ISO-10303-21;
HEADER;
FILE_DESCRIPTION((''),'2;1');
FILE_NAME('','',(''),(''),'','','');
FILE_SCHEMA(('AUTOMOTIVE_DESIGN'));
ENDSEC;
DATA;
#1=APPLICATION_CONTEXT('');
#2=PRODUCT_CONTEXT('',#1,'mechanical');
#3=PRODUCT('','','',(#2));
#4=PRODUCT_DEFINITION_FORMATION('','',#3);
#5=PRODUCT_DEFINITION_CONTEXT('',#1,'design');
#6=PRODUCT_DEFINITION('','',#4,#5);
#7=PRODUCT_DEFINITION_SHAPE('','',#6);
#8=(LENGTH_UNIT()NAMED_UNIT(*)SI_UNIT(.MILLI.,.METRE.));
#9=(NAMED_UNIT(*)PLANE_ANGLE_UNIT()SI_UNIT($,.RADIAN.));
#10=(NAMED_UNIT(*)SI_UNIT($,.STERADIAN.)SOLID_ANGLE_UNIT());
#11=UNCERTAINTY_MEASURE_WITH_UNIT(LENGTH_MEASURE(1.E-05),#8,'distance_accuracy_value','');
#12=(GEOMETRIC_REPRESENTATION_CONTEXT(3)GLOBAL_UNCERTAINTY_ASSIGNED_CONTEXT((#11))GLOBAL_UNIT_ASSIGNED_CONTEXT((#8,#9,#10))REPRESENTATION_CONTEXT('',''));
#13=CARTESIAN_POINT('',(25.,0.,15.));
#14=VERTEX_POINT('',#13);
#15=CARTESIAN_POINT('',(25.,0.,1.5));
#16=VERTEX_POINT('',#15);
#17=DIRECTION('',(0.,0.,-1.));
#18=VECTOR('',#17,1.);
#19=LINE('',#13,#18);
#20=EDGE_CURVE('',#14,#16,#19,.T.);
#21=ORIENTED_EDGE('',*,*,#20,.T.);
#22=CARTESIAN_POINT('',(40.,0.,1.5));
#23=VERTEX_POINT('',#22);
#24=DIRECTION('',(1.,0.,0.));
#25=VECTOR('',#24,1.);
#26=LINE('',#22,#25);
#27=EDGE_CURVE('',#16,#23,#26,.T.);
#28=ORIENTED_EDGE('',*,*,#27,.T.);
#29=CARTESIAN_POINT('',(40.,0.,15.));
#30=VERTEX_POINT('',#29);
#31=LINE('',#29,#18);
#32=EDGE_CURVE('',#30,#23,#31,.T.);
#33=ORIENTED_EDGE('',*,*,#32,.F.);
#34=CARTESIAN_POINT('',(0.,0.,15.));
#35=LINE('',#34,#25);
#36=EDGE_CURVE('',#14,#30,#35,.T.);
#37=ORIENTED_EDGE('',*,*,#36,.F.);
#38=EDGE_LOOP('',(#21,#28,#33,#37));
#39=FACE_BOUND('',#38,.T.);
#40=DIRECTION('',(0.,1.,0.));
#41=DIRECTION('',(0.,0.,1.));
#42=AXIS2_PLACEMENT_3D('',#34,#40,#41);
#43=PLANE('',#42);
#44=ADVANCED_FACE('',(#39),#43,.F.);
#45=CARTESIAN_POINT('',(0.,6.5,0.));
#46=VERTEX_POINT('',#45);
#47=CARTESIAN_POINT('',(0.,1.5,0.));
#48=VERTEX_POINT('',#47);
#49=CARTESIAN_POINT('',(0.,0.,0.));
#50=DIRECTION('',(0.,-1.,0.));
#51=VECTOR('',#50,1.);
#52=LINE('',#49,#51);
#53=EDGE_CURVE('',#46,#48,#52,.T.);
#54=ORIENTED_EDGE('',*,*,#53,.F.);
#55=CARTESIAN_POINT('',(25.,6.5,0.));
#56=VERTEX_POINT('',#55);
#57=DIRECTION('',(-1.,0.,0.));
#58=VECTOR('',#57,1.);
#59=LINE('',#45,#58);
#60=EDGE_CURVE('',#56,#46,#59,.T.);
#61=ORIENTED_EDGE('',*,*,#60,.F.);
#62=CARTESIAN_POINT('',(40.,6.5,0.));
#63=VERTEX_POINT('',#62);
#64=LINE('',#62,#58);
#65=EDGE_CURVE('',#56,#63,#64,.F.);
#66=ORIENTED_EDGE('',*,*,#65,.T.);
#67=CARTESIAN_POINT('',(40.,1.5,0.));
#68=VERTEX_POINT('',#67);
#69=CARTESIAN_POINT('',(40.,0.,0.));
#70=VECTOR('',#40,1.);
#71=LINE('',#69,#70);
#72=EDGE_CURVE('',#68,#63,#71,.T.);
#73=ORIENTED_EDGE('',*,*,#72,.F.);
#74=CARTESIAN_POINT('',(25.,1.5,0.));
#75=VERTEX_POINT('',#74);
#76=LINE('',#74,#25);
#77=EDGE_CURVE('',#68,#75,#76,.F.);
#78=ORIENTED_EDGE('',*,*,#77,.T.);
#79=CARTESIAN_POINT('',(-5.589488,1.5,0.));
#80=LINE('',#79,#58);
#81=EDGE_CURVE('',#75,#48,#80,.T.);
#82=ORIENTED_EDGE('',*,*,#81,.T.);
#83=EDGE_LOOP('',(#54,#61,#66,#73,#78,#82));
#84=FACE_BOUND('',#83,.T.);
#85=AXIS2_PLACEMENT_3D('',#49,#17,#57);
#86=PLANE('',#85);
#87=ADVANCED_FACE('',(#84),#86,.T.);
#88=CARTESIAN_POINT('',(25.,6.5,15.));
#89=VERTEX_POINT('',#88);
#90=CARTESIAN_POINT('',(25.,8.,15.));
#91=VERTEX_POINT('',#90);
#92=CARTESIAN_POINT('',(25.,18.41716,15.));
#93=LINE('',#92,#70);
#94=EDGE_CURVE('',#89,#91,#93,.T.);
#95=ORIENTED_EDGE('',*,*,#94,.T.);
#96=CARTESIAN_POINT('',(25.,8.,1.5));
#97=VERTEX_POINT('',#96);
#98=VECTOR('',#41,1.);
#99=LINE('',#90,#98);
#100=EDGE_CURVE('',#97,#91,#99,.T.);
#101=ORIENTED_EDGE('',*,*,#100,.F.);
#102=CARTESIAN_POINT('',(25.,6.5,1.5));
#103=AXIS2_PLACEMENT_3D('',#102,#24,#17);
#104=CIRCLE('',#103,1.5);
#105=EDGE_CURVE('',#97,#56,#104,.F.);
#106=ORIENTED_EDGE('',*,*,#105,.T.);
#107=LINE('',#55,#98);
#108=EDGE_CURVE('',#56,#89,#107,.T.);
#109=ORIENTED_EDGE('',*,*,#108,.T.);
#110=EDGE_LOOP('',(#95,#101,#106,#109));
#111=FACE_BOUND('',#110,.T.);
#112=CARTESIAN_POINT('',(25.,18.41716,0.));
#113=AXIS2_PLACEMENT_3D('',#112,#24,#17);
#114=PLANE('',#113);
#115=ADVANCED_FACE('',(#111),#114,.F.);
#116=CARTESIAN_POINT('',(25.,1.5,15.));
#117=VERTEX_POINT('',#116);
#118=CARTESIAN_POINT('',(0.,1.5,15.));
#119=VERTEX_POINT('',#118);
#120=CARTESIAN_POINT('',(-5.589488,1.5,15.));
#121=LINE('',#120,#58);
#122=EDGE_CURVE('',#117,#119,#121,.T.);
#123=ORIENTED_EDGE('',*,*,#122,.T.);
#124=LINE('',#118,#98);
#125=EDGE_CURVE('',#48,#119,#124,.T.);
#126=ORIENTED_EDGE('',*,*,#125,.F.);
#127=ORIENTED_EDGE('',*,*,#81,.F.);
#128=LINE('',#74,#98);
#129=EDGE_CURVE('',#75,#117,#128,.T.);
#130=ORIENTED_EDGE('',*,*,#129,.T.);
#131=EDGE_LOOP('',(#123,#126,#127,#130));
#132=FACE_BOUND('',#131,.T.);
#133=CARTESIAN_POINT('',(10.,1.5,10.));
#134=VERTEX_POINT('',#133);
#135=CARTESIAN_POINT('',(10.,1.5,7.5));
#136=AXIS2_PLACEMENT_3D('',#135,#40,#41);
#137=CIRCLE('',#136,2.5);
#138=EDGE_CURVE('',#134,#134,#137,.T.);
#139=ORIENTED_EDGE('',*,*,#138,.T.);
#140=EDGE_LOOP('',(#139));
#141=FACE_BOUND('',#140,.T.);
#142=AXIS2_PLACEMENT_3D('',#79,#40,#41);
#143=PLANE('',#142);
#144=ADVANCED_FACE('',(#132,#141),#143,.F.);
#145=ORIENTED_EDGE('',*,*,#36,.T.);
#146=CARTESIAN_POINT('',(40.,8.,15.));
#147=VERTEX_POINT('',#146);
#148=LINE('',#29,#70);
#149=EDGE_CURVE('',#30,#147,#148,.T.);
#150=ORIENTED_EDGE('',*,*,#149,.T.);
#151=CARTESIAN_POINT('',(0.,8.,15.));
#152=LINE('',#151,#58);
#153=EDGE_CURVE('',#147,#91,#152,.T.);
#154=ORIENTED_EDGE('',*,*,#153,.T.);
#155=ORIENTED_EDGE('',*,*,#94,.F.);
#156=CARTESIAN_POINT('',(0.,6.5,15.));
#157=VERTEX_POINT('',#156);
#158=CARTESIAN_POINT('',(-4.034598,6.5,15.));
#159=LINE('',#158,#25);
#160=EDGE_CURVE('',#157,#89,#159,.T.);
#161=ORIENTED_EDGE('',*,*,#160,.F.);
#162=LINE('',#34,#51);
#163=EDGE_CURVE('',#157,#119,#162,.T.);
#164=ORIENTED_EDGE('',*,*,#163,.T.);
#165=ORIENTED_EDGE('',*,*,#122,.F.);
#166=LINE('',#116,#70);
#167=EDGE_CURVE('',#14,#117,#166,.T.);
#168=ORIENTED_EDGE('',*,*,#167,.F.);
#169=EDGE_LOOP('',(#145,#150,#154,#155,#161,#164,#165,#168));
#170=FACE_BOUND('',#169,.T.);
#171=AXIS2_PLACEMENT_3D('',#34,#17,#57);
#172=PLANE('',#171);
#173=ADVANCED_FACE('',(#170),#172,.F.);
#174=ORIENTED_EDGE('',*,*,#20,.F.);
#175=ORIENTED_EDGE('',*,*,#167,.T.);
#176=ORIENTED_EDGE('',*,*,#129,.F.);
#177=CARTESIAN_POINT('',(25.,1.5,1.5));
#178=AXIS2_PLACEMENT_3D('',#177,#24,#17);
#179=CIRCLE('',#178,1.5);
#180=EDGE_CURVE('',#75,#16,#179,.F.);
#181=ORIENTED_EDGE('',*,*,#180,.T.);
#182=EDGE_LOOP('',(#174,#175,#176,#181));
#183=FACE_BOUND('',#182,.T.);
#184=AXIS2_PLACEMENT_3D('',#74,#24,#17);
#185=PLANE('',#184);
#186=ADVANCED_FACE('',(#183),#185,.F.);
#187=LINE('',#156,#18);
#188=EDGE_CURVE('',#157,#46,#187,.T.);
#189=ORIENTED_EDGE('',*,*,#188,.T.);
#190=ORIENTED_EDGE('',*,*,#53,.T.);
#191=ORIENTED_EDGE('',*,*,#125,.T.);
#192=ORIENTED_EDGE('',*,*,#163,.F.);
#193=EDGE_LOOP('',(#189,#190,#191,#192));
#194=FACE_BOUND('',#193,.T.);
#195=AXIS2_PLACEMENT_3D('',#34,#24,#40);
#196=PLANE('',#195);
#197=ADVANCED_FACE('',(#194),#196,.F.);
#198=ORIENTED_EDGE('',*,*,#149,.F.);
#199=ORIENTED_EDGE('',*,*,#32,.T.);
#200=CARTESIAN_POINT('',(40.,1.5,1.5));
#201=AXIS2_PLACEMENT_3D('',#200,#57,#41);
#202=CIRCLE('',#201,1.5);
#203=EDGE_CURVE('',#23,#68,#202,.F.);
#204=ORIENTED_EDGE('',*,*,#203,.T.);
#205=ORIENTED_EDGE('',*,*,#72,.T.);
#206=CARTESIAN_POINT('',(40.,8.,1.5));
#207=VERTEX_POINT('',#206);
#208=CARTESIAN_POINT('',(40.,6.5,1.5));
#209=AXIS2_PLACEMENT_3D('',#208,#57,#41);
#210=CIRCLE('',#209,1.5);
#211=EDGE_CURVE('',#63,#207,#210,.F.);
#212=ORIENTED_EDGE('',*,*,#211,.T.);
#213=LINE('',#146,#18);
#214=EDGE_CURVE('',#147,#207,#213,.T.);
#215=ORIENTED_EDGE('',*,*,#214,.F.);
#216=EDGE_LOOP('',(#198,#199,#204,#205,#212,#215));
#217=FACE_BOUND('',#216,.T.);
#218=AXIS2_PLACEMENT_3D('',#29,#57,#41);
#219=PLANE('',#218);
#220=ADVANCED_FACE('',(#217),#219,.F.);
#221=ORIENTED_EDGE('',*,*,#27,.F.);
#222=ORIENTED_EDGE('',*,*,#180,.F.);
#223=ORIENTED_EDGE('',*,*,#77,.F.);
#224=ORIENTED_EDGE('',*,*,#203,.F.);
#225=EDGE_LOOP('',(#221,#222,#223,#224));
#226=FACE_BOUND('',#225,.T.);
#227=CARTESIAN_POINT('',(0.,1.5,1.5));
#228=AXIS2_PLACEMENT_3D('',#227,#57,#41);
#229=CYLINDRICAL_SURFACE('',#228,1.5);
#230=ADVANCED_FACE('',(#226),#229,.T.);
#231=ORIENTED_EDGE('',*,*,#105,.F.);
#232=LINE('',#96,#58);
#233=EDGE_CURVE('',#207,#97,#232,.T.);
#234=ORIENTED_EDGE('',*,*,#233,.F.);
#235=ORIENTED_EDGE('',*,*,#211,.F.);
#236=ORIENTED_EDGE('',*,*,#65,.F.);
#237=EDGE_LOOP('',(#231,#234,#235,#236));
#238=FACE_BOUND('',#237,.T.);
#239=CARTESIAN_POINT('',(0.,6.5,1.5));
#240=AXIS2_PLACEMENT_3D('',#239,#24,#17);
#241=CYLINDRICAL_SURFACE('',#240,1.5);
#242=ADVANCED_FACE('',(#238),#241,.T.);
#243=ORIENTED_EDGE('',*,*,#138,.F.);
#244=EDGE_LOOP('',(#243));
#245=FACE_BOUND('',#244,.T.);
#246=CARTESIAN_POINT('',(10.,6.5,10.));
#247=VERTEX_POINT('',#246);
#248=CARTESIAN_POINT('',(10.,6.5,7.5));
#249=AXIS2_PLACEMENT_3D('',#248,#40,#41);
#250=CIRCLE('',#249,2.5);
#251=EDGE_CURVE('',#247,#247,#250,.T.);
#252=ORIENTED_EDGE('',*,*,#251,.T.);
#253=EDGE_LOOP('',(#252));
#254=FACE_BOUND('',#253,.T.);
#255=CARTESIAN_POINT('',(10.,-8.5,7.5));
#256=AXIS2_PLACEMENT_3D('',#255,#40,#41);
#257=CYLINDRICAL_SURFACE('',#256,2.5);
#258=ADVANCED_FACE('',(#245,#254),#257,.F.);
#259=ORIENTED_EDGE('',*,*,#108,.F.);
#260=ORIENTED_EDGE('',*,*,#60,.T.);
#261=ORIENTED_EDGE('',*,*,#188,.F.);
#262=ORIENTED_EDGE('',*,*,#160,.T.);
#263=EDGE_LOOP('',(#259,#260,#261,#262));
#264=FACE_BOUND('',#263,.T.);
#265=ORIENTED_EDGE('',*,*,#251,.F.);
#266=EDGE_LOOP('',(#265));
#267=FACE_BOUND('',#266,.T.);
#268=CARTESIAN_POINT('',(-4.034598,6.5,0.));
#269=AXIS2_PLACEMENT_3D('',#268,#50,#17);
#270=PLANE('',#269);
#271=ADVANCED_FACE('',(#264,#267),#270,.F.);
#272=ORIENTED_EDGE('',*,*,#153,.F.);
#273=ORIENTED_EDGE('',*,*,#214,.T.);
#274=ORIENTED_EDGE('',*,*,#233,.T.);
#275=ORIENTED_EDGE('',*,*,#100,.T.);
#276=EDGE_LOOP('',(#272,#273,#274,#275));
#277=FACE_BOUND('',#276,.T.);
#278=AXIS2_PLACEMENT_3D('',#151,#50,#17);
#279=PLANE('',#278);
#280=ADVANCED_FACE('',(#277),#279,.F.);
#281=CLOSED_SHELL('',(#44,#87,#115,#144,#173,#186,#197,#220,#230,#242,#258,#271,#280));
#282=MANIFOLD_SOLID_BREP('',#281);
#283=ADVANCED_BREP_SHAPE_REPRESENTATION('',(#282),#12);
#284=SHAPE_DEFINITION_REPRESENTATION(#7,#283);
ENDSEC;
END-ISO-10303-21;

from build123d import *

# Parameters (mm, degrees)
SKETCH1_W           = 40
SKETCH1_H           = 8
BOSS_EXTRUDE1_DEPTH = 15
SKETCH2_W           = 29.034597986
SKETCH2_H           = 11.917160172
SKETCH2_W_2         = 30.589488345
SKETCH2_H_2         = 7.948253972
CUT_EXTRUDE1_DEPTH  = 15
SKETCH3_R           = 2.5
CUT_EXTRUDE2_DEPTH  = 15
FILLET1_R           = 1.5


with BuildPart() as part:
    # Sketch1 → Boss-Extrude1 (new body)
    with BuildSketch(Plane.XY):
        with Locations((20, 4)):
            Rectangle(SKETCH1_W, SKETCH1_H)
    extrude(amount=BOSS_EXTRUDE1_DEPTH)

    # Sketch2 → Cut-Extrude1 (cut)
    with BuildSketch(Plane.XY.offset(15)):
        with Locations((10.482701007, 12.458580086)):
            Rectangle(SKETCH2_W, SKETCH2_H)
        with Locations((9.705255828, -2.474126986)):
            Rectangle(SKETCH2_W_2, SKETCH2_H_2)
    extrude(amount=-CUT_EXTRUDE1_DEPTH, mode=Mode.SUBTRACT)

    # Sketch3 → Cut-Extrude2 (cut)
    with BuildSketch(Plane(origin=(0, 6.5, 0), x_dir=(1, 0, 0), z_dir=(0, 1, 0))):
        with Locations(Location((10, -7.5, 0), (0, 0, 270))):
            Circle(SKETCH3_R)
    extrude(amount=-CUT_EXTRUDE2_DEPTH, mode=Mode.SUBTRACT)

    # Fillet1
    fillet1_edges = [part.edges().sort_by_distance(p)[0] for p in [
        (32.5, 8, 0),
        (32.5, 0, 0),
    ]]
    fillet(fillet1_edges, radius=FILLET1_R)


solid = part.part
